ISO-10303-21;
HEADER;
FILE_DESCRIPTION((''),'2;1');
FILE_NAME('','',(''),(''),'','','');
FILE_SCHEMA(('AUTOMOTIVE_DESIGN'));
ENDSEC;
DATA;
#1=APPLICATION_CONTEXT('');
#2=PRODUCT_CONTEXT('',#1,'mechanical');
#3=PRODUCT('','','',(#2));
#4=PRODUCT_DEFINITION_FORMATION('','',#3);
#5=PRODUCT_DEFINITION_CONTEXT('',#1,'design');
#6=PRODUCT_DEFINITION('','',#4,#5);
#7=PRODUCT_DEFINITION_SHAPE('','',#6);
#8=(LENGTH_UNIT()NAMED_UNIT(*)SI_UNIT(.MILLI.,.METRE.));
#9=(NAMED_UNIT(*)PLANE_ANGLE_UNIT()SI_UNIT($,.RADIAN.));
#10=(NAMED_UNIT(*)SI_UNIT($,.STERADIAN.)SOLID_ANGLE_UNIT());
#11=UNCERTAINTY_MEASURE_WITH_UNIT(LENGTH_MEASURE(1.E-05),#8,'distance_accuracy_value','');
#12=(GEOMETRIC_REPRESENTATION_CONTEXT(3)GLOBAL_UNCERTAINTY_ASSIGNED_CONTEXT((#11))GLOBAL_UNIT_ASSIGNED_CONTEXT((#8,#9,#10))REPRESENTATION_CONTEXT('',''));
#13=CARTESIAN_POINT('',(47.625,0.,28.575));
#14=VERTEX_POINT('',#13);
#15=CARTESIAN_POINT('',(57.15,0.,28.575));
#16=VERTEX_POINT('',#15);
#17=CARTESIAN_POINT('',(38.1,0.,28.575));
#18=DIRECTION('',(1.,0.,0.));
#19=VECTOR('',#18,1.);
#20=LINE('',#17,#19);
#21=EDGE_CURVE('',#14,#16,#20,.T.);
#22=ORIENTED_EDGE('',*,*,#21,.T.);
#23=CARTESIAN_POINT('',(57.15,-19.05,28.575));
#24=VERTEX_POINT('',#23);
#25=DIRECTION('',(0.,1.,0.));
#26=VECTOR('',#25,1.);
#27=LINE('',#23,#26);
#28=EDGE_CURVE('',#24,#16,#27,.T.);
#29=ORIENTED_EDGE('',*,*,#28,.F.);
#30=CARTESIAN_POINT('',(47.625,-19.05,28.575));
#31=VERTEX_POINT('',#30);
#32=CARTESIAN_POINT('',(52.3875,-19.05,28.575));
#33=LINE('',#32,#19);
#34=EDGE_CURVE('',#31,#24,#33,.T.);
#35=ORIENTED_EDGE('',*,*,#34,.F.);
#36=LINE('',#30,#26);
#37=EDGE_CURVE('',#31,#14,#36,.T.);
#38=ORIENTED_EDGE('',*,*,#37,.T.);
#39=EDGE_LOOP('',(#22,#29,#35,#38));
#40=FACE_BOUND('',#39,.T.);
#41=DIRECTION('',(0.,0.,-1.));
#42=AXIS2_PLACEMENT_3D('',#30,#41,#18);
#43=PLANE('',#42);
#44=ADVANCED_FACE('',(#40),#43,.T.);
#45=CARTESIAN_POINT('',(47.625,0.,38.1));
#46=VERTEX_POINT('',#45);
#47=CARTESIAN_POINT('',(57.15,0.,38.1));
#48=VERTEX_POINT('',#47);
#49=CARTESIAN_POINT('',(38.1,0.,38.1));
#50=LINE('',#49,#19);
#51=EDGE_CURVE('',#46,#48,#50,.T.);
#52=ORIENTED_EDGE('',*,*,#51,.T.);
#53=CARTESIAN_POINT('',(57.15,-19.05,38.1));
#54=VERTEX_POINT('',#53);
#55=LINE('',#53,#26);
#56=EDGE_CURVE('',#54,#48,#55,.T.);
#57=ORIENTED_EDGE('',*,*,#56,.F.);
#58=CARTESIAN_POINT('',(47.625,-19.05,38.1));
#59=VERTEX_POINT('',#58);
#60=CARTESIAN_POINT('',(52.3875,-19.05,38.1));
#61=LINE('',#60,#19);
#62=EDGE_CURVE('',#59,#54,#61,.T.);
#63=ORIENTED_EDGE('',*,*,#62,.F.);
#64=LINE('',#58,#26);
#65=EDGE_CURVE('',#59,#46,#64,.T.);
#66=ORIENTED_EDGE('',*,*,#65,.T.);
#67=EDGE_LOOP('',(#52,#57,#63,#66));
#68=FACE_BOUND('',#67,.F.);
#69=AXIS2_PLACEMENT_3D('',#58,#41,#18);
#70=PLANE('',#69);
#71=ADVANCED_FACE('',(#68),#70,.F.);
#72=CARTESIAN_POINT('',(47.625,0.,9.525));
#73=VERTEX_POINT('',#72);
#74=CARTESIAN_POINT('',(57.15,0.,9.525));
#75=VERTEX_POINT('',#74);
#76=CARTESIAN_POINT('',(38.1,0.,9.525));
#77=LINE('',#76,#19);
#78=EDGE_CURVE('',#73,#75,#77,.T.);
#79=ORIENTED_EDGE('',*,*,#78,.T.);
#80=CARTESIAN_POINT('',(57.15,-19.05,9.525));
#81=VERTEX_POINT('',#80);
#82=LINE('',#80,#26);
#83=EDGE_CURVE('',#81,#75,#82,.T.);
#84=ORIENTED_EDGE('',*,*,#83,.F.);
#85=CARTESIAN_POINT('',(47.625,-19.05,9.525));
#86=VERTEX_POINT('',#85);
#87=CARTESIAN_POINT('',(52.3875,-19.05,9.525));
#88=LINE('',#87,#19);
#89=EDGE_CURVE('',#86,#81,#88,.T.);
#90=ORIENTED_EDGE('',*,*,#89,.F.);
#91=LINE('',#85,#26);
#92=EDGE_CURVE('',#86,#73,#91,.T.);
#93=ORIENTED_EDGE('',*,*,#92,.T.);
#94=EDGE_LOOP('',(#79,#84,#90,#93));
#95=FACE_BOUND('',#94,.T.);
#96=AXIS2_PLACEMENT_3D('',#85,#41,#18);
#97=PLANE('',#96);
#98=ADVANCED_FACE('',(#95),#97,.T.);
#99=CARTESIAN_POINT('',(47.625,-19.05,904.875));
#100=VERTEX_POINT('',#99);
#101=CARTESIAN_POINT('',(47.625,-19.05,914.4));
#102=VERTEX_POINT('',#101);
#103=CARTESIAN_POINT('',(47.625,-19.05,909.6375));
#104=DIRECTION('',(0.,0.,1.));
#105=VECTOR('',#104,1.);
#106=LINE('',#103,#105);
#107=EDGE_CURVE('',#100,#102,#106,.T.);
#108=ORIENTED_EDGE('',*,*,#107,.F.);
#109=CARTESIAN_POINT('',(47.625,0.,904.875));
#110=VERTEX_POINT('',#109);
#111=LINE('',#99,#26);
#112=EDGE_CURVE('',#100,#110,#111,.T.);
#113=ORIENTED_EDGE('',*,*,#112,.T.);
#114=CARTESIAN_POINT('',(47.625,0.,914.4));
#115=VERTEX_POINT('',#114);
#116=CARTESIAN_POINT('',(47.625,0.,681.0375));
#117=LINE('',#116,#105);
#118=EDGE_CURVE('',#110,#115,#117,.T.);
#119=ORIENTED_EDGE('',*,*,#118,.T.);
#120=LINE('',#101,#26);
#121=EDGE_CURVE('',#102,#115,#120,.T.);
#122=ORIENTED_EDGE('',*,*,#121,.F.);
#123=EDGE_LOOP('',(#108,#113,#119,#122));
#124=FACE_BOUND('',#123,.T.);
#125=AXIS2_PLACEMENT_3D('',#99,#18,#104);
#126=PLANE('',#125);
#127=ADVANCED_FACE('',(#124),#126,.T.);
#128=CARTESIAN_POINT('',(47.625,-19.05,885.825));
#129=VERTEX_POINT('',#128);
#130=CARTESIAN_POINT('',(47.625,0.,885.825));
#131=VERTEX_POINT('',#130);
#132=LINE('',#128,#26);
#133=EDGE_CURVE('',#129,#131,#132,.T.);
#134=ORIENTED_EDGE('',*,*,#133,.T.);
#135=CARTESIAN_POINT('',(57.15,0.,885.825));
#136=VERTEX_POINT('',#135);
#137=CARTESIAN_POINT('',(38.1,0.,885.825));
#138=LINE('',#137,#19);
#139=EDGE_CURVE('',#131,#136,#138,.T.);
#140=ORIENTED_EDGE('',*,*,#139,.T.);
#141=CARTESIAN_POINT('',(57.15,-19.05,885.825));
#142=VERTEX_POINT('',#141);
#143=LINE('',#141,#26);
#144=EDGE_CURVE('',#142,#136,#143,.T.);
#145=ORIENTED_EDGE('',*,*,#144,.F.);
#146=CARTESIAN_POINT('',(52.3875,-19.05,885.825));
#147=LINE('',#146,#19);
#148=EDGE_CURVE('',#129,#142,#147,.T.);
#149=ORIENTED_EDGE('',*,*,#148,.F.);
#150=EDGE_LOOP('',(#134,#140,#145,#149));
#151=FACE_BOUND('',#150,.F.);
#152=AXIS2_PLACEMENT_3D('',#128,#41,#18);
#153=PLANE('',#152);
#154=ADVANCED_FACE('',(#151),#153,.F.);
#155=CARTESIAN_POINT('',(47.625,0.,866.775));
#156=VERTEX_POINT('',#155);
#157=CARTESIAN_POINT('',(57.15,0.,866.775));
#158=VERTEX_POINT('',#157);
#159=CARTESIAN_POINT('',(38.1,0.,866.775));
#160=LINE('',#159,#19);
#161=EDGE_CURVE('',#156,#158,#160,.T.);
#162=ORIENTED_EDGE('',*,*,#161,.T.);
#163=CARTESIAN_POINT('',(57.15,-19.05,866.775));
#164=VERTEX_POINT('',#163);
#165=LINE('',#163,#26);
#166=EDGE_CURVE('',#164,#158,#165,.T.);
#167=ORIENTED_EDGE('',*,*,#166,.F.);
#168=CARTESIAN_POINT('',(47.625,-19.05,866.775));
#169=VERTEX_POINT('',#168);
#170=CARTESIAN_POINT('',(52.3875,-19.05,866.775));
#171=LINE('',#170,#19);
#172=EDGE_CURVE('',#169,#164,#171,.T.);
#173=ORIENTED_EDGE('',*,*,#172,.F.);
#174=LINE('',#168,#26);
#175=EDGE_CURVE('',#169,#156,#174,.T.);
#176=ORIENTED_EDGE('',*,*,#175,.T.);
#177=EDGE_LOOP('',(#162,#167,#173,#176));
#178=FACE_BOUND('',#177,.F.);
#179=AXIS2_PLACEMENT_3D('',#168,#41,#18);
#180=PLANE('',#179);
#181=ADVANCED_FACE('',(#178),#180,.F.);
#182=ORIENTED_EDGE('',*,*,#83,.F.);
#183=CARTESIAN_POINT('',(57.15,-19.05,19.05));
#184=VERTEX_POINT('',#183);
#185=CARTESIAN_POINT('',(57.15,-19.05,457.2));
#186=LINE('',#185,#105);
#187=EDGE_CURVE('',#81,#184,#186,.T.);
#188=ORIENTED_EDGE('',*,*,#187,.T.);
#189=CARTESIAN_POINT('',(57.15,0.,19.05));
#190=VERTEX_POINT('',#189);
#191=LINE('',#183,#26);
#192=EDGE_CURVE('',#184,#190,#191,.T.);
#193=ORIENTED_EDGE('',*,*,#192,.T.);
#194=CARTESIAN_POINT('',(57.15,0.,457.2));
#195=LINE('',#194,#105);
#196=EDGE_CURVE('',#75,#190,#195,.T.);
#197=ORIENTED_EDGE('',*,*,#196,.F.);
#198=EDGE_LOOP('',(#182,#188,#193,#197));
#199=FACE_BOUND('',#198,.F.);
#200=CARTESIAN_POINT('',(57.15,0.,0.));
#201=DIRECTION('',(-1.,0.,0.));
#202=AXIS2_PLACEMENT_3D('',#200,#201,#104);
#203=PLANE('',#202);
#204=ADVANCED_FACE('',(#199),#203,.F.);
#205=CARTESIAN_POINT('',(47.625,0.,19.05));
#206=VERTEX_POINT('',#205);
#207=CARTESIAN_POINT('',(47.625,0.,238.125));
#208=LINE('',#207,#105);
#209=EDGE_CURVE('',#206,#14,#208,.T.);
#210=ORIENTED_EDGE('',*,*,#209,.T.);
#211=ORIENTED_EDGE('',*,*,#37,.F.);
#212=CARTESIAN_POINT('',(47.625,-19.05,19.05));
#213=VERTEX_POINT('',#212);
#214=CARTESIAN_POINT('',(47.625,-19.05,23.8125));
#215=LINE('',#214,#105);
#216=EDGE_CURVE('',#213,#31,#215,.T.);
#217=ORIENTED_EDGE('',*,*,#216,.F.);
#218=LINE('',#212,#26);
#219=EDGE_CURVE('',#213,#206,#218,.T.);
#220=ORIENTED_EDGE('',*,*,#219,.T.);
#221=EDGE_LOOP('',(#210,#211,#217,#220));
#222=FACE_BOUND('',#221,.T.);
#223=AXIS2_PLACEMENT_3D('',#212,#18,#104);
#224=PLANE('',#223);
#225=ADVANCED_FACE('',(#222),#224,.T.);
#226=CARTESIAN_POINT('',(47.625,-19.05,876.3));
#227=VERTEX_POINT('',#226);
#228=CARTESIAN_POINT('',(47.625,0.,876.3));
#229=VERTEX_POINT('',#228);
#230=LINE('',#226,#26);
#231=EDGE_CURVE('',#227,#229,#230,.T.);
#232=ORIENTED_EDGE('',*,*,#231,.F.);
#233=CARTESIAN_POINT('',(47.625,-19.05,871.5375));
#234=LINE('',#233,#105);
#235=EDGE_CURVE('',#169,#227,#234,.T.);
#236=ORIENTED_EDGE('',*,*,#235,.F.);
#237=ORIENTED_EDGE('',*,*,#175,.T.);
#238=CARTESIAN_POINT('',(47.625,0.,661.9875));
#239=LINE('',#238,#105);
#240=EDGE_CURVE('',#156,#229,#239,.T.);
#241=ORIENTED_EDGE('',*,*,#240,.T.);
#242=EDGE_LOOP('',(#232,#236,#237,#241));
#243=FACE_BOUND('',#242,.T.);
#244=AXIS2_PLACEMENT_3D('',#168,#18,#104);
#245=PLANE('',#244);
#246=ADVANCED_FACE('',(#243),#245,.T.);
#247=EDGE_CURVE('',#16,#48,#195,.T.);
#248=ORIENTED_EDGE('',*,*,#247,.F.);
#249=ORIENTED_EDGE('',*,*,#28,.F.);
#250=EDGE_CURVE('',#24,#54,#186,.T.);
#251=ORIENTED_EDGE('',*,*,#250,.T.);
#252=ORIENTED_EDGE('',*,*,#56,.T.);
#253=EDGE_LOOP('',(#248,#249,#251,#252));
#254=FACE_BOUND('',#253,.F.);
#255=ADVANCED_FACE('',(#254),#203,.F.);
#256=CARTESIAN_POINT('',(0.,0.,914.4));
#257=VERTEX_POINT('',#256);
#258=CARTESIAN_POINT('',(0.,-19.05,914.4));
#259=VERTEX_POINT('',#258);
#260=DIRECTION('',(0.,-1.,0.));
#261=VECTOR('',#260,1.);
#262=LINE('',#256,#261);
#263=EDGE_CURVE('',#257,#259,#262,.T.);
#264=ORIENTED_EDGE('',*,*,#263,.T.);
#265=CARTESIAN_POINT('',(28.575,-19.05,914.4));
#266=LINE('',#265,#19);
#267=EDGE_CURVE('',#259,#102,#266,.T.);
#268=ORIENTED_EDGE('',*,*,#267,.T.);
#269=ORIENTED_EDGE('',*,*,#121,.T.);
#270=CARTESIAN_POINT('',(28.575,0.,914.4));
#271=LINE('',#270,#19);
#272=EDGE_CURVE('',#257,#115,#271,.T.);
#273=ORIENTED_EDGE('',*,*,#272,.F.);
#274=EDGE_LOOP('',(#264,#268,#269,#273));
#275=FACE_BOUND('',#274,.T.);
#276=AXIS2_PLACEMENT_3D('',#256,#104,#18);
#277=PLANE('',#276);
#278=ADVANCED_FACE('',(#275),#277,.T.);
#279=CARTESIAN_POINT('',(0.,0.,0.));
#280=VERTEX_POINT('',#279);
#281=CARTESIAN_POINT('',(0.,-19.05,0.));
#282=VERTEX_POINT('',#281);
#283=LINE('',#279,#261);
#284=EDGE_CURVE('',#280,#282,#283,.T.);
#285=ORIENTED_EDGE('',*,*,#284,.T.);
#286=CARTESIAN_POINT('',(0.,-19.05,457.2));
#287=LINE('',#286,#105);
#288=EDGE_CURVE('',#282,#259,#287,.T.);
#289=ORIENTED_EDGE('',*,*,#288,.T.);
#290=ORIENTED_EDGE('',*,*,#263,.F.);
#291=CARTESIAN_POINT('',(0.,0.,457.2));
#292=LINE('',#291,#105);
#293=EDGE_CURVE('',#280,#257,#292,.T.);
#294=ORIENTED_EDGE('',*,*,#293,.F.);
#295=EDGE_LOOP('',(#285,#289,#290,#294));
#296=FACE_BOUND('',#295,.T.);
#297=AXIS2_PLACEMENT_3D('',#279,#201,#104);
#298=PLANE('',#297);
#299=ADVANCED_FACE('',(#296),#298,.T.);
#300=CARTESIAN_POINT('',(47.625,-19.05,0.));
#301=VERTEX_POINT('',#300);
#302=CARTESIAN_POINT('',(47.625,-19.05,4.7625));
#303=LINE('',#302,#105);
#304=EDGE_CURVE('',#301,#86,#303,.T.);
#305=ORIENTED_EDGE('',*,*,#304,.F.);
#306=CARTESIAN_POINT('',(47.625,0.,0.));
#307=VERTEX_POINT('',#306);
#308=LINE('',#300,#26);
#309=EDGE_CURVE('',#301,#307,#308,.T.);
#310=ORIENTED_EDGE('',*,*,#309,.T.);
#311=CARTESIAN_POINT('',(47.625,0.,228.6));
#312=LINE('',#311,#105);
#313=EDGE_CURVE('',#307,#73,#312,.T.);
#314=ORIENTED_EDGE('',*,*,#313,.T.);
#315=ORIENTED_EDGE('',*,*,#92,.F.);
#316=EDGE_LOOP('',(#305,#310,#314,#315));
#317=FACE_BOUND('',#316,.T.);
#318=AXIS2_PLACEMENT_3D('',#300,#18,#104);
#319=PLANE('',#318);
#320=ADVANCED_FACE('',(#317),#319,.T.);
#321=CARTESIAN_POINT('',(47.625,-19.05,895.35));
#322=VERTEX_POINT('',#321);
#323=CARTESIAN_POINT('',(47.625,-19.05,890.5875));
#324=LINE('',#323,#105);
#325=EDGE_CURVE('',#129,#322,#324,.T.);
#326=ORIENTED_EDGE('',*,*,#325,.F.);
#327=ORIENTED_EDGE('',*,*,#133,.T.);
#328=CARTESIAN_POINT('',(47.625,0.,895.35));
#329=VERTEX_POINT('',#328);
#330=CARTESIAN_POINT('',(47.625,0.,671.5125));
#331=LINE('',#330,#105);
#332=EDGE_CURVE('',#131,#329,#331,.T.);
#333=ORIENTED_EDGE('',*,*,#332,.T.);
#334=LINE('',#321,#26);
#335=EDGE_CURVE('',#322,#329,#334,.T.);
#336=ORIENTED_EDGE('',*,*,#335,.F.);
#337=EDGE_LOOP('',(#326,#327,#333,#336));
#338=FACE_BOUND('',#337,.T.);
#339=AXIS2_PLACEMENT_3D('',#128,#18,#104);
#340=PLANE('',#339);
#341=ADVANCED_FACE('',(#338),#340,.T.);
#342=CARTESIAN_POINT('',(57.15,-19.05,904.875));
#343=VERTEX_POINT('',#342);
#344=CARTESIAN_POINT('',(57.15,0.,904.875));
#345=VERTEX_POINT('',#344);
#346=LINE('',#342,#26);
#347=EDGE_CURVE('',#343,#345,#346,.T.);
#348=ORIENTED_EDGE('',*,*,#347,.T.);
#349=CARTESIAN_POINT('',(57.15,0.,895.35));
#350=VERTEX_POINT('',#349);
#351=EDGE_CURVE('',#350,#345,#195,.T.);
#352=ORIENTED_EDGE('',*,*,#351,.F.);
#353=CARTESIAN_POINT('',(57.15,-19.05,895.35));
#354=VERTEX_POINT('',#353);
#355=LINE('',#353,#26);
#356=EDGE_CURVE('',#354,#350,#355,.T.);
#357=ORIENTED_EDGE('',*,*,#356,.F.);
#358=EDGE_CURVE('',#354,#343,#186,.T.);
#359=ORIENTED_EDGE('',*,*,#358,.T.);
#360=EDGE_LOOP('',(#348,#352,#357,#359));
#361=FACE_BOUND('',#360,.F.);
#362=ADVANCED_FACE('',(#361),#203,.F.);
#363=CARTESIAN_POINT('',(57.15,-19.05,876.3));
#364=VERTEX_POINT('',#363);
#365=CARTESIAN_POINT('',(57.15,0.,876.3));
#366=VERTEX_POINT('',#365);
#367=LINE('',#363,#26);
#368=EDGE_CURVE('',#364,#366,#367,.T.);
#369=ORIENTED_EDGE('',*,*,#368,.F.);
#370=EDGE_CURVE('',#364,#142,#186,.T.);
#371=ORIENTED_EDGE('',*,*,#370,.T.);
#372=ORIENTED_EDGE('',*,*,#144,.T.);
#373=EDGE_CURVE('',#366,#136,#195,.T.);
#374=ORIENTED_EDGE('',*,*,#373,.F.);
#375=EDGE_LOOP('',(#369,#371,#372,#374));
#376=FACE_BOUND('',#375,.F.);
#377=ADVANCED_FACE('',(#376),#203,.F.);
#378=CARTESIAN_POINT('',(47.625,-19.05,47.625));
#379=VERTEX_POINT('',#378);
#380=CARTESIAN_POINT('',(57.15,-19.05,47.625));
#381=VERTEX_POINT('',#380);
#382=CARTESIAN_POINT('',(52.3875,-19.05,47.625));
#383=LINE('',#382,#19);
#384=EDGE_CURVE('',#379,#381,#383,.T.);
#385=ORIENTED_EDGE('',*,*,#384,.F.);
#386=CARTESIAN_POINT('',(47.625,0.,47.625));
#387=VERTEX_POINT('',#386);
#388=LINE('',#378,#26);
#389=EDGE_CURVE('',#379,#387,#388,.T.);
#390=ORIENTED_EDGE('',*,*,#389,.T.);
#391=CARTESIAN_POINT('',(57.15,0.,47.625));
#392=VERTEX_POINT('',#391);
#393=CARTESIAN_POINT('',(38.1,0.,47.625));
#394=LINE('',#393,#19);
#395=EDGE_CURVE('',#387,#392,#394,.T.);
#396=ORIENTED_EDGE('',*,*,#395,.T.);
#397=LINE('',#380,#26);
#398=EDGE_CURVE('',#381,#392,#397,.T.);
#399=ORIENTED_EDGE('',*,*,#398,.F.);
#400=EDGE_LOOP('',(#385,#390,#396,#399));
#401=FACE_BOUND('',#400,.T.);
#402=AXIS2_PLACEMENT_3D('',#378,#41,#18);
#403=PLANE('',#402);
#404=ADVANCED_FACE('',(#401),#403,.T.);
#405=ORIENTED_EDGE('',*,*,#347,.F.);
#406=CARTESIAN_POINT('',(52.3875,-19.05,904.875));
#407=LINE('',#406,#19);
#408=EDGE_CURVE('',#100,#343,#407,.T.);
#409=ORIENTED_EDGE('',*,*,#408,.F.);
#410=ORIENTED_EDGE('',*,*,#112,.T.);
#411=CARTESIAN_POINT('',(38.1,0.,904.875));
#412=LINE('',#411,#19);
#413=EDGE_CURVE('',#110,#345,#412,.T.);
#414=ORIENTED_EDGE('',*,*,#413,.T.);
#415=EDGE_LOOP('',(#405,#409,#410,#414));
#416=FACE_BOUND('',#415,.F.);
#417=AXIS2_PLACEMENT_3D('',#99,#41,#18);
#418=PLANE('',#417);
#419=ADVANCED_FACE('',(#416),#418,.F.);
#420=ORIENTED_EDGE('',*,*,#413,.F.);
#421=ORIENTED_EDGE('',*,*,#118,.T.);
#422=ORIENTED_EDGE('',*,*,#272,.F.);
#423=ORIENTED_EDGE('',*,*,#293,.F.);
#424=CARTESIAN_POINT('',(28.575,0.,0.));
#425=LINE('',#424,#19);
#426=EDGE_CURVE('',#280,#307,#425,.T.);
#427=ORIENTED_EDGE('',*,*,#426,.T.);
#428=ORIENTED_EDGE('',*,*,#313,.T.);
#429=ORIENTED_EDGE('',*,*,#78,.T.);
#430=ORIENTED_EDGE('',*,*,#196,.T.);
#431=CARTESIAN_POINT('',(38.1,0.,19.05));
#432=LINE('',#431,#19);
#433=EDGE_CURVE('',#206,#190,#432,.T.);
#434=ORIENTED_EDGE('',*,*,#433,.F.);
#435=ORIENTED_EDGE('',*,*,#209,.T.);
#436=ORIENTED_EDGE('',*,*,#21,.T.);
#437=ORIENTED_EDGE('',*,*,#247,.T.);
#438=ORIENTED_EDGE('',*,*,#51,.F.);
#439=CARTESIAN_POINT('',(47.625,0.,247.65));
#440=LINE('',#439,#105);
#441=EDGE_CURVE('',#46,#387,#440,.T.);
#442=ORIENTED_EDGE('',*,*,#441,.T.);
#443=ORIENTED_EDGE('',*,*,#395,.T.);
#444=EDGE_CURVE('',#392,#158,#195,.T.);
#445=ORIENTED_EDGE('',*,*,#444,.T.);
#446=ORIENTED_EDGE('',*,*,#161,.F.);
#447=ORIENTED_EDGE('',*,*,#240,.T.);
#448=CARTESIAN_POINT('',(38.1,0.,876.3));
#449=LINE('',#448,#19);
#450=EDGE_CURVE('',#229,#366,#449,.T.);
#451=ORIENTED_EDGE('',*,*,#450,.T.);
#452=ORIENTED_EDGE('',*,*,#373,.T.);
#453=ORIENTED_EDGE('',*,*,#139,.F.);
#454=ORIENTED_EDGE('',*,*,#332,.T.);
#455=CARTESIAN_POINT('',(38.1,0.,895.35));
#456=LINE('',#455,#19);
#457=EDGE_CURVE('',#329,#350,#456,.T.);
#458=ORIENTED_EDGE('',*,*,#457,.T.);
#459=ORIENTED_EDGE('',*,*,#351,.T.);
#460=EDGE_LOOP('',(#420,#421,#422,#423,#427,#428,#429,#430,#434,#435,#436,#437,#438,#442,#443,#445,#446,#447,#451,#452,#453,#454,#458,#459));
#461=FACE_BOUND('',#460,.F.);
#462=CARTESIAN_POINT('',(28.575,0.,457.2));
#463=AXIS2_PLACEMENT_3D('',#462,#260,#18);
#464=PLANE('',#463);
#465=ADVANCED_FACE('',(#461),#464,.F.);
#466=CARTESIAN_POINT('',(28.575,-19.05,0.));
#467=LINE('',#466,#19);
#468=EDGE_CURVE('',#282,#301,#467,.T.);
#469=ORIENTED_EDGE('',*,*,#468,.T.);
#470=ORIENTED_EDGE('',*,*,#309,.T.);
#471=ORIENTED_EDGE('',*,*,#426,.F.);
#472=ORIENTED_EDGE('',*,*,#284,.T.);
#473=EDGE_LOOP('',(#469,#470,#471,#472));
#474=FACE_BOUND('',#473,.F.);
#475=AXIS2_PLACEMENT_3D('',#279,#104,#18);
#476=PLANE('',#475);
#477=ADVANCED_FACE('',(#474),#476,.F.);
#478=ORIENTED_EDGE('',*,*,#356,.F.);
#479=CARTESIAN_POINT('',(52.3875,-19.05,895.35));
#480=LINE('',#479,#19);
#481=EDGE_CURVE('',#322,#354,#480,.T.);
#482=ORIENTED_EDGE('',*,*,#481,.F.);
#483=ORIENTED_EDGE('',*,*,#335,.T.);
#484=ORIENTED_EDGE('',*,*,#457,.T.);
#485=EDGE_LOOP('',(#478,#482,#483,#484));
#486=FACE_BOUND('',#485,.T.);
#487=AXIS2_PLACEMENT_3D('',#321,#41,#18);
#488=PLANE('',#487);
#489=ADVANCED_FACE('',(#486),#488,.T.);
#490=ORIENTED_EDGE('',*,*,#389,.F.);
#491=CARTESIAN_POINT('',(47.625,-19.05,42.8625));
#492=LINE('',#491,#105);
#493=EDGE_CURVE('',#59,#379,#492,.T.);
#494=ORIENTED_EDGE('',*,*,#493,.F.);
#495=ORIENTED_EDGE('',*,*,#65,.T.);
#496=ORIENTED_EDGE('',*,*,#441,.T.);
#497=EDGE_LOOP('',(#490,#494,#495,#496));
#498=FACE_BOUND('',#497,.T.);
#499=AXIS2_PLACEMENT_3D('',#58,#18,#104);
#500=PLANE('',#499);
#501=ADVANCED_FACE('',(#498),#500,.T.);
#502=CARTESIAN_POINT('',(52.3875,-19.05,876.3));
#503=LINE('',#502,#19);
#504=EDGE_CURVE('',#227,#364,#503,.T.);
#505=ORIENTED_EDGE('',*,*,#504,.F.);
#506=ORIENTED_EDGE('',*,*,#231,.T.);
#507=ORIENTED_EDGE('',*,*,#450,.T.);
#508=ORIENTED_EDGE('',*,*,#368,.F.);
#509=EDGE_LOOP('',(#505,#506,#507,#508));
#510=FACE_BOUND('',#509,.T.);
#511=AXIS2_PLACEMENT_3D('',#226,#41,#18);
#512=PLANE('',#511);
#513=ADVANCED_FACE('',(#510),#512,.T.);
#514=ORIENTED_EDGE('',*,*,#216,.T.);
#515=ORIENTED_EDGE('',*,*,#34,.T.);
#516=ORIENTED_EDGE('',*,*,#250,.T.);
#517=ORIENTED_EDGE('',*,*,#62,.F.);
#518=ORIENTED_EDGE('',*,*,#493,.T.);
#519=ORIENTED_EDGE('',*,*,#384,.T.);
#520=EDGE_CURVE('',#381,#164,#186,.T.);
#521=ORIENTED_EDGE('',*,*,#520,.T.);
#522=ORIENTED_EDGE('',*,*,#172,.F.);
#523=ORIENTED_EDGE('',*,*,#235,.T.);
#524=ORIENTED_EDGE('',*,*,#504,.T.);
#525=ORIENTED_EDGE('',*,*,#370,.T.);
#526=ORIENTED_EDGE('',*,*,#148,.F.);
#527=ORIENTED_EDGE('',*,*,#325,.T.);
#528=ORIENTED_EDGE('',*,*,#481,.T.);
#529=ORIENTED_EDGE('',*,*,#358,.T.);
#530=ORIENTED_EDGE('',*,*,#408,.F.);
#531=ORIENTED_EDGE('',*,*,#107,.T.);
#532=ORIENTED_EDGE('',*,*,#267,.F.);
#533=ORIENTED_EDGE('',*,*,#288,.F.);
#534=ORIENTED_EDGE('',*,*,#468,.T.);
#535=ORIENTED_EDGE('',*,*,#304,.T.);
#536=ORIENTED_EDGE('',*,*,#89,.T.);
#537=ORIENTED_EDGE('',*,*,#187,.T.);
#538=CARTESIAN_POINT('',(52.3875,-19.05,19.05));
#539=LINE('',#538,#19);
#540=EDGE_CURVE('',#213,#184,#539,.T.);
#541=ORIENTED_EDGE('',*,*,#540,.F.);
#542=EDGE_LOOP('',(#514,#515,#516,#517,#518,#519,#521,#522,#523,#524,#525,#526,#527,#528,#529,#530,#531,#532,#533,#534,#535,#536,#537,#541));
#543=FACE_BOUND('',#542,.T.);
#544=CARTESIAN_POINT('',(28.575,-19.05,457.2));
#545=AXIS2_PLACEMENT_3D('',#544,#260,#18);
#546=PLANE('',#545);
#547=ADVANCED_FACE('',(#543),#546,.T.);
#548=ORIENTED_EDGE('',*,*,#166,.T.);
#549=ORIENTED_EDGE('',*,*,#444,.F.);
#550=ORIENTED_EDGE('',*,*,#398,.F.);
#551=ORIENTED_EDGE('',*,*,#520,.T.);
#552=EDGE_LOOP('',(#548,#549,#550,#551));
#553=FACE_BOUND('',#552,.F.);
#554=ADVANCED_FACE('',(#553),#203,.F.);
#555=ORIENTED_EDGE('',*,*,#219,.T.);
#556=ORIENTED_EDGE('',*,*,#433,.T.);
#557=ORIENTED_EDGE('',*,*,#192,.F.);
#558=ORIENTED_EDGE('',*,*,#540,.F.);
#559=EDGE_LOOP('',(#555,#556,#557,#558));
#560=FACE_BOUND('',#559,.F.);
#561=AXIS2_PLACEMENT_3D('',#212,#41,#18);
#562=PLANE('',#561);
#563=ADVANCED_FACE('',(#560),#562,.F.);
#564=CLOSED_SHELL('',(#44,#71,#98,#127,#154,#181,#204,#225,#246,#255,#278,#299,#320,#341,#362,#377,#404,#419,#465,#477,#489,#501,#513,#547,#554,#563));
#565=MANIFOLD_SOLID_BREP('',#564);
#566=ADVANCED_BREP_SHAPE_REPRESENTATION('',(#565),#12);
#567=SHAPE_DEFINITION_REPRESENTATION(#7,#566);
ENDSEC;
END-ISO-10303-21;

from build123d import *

# Parameters (mm, degrees)
F0_W     = 57.15
F0_H     = 914.4
F1_DEPTH = 19.05
F2_W     = 9.525
F2_H     = 9.525
F3_DEPTH = 19.051


with BuildPart() as f1:
    # F0 (on Front) → F1 (new body)
    with BuildSketch(Plane.XZ):
        with Locations((28.575, 457.2)):
            Rectangle(F0_W, F0_H)
    extrude(amount=F1_DEPTH)

    # F2 (on face) → F3 (cut, through all)
    with BuildSketch(Plane.XZ.offset(19.05)):
        with Locations((52.3875, 909.6375)):
            Rectangle(F2_W, F2_H)
        with Locations((52.3875, 890.5875)):
            Rectangle(F2_W, F2_H)
        with Locations((52.3875, 871.5375)):
            Rectangle(F2_W, F2_H)
        with Locations((52.3875, 42.8625)):
            Rectangle(F2_W, F2_H)
        with Locations((52.3875, 23.8125)):
            Rectangle(F2_W, F2_H)
        with Locations((52.3875, 4.7625)):
            Rectangle(F2_W, F2_H)
    extrude(amount=-F3_DEPTH, mode=Mode.SUBTRACT)


solid = f1.part
